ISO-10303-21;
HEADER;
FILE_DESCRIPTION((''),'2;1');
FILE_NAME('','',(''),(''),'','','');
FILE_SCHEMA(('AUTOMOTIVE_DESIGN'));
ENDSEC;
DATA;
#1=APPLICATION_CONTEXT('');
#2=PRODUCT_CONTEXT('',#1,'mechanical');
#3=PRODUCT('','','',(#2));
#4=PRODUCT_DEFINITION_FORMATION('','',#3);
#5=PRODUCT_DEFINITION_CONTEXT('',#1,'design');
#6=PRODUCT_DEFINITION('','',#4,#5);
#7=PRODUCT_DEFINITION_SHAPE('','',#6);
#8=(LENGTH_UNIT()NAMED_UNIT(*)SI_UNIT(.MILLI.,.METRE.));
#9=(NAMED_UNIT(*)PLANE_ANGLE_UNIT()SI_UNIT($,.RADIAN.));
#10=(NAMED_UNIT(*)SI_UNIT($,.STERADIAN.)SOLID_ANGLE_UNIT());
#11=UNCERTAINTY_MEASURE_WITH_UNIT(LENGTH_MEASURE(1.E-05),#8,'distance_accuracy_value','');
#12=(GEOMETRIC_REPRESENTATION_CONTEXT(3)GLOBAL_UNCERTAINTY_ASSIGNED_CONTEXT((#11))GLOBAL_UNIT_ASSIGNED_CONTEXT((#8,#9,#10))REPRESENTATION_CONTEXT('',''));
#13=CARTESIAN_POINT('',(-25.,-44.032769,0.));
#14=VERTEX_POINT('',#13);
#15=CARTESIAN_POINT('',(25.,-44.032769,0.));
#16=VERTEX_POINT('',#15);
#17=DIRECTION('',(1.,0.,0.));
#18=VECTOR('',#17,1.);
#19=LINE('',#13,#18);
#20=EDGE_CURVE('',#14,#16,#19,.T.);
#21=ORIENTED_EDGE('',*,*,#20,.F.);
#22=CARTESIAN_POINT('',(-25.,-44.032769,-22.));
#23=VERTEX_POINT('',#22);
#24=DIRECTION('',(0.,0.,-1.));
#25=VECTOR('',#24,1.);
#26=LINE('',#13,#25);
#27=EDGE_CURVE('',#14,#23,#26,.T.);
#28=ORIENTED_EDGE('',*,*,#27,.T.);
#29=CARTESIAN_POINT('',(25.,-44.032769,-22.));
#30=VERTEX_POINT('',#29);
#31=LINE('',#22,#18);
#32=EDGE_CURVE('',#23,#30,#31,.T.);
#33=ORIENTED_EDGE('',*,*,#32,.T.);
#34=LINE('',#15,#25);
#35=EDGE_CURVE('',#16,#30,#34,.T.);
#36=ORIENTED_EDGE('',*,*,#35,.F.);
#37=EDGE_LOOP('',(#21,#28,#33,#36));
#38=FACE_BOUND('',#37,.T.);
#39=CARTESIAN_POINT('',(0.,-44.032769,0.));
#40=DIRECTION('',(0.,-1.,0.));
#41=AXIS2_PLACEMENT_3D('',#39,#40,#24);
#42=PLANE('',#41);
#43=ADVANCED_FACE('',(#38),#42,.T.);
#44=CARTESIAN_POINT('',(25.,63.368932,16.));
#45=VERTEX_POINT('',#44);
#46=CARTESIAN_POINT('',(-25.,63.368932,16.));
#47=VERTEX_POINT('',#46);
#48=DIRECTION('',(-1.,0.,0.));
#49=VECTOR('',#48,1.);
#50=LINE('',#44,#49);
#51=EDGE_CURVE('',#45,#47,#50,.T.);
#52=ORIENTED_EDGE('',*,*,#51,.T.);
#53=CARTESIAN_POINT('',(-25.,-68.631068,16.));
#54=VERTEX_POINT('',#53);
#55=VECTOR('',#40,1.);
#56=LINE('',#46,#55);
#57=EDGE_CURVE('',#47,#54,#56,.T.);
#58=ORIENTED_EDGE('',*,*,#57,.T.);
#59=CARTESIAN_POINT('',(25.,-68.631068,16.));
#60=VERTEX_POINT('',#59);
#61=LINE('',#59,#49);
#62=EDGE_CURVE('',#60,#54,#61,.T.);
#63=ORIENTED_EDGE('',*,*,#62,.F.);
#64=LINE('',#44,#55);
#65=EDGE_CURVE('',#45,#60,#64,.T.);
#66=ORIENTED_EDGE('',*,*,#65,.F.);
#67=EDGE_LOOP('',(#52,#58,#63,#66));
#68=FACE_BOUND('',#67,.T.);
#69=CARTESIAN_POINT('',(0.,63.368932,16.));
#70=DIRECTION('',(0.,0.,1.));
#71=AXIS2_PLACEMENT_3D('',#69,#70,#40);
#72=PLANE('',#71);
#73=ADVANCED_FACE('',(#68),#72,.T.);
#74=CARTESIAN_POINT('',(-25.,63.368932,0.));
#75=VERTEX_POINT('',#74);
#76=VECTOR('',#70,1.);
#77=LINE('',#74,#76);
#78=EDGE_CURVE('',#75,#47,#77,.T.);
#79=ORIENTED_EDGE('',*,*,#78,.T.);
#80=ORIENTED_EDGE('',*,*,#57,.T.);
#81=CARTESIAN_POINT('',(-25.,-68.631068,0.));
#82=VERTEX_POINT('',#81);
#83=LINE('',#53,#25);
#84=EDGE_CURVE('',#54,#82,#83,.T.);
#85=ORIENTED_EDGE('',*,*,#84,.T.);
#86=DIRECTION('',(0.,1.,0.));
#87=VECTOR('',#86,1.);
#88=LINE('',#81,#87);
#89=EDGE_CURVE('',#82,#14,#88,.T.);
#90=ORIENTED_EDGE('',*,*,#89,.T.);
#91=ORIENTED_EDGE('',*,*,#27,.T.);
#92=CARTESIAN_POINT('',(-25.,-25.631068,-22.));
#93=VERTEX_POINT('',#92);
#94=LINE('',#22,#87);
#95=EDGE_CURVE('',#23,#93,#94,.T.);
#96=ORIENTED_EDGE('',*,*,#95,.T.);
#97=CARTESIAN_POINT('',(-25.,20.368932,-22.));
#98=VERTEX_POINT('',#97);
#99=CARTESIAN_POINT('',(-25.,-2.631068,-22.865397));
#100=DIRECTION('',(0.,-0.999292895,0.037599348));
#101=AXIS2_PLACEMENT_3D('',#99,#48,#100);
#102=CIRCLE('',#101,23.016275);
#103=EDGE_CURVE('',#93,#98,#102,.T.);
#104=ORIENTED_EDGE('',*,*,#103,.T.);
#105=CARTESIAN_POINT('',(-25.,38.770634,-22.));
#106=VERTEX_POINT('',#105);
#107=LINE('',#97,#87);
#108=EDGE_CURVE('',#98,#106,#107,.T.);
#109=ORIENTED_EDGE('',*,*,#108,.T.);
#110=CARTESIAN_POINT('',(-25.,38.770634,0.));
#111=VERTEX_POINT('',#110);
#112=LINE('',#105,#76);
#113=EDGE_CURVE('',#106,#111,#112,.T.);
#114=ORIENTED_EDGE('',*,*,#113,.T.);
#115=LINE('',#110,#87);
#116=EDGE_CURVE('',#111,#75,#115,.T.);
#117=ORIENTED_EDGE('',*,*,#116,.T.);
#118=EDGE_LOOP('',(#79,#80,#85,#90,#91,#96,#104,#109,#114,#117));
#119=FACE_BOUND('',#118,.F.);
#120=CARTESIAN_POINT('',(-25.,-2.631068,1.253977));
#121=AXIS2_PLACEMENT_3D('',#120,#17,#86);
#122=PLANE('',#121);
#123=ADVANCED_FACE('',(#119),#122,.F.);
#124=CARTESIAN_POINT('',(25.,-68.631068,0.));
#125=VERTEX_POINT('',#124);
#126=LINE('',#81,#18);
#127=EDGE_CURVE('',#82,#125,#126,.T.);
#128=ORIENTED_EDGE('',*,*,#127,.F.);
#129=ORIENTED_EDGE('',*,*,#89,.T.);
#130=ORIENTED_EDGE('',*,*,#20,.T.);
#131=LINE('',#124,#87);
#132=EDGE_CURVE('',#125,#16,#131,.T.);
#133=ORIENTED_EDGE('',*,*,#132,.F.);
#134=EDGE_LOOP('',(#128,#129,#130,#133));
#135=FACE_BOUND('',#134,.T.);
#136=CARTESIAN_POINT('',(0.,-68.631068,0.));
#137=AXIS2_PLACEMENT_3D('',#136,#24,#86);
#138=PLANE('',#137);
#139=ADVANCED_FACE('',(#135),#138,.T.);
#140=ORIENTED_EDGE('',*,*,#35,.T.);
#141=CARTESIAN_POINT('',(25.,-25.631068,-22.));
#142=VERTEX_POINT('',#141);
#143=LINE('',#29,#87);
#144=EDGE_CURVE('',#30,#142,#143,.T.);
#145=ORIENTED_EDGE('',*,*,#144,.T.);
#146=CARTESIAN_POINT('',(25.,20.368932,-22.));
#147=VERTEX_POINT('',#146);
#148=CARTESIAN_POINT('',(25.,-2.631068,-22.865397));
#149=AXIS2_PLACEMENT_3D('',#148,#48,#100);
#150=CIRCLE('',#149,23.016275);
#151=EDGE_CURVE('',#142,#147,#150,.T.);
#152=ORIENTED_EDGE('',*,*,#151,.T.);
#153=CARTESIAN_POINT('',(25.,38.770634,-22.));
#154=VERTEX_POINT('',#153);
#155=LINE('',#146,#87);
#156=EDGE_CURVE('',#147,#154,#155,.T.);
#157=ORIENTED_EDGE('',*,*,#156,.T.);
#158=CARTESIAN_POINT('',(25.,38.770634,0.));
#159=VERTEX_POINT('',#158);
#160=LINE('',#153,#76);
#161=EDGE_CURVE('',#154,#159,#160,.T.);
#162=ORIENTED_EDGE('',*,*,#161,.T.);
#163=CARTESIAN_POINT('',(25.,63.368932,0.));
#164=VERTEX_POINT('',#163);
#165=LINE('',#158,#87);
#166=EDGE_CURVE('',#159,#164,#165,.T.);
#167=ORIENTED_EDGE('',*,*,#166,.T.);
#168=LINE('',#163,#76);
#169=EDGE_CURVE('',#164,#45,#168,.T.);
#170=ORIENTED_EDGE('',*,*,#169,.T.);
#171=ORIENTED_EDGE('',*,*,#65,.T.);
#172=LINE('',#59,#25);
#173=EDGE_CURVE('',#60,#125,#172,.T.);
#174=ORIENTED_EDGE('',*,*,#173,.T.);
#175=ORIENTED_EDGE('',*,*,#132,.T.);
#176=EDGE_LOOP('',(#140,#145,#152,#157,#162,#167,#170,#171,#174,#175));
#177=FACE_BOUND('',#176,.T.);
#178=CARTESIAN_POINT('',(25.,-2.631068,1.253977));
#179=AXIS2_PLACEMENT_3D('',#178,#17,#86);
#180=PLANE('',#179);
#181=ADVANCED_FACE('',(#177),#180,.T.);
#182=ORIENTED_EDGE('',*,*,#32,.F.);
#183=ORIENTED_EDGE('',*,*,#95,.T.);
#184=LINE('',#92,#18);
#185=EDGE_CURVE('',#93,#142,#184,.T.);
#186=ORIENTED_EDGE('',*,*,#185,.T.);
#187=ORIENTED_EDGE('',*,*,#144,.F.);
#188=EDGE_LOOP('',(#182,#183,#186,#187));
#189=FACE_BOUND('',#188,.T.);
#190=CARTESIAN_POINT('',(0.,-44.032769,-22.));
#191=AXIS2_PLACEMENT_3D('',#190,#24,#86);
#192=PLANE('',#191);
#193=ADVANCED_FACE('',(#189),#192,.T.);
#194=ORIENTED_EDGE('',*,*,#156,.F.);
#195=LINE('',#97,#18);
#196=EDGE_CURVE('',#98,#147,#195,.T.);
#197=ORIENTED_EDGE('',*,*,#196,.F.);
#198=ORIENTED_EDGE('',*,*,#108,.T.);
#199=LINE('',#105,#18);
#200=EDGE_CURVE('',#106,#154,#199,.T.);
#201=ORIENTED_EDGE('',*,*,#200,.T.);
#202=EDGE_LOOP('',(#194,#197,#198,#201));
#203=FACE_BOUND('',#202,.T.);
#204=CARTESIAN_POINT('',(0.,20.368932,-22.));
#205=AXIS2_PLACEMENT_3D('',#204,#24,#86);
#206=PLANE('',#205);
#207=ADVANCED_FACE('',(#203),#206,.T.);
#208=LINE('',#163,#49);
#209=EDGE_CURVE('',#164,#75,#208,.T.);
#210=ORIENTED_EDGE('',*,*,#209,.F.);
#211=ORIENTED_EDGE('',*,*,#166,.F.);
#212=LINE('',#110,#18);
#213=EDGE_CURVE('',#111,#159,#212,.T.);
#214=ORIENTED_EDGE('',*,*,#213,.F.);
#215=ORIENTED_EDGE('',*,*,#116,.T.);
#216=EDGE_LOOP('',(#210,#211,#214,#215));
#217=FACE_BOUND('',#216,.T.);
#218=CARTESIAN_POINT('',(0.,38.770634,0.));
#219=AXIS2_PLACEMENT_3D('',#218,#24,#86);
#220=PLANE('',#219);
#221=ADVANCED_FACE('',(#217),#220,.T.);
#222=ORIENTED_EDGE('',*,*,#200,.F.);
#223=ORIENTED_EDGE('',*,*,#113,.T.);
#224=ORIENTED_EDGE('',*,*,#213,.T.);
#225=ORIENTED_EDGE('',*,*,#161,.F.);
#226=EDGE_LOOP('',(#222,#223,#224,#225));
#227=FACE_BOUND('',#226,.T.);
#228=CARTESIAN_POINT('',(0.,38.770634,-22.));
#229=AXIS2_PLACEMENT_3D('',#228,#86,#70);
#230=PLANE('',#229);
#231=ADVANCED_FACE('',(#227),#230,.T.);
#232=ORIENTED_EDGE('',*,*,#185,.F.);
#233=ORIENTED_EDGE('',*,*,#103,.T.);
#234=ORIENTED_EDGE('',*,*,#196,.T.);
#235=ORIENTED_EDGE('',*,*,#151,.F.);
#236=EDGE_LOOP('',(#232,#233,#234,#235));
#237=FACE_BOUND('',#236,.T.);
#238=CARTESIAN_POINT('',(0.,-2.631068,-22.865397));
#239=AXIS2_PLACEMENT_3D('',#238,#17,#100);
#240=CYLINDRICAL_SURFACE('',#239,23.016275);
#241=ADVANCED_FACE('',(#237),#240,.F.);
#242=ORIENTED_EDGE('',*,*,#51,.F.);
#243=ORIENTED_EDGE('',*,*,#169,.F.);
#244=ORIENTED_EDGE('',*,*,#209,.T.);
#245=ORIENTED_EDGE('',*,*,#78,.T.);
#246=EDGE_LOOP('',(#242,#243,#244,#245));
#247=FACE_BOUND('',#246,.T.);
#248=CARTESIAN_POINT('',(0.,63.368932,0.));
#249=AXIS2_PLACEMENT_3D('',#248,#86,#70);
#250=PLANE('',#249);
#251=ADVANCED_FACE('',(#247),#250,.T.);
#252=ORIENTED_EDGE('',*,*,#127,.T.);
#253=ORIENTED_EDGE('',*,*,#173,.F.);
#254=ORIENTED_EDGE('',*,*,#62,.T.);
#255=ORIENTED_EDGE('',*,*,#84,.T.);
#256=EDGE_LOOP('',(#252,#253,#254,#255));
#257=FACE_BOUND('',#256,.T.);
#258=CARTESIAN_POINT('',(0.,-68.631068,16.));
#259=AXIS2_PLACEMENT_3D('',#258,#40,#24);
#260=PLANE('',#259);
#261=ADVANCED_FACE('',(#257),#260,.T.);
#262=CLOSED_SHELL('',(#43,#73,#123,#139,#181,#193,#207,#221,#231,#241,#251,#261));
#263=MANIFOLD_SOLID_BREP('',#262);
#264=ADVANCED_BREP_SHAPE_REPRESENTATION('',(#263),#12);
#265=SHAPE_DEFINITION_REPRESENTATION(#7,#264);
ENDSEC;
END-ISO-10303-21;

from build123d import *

# Parameters (mm, degrees)
F1_DEPTH = 25


with BuildPart() as f1:
    # F0 (on Right) → F1 (new body, symmetric)
    with BuildSketch(Plane.YZ):
        with BuildLine():
            Line((-68.631068, 16), (-68.631068, 0))
            Line((-68.631068, 0), (-44.032769, 0))
            Line((-44.032769, 0), (-44.032769, -22))
            Line((-44.032769, -22), (-25.631068, -22))
            ThreePointArc((-25.631068, -22), (-2.631068, 0.150878), (20.368932, -22))
            Line((20.368932, -22), (38.770634, -22))
            Line((38.770634, -22), (38.770634, 0))
            Line((38.770634, 0), (63.368932, 0))
            Line((63.368932, 0), (63.368932, 16))
            Line((63.368932, 16), (-68.631068, 16))
        make_face()
    extrude(amount=F1_DEPTH, both=True)


solid = f1.part
